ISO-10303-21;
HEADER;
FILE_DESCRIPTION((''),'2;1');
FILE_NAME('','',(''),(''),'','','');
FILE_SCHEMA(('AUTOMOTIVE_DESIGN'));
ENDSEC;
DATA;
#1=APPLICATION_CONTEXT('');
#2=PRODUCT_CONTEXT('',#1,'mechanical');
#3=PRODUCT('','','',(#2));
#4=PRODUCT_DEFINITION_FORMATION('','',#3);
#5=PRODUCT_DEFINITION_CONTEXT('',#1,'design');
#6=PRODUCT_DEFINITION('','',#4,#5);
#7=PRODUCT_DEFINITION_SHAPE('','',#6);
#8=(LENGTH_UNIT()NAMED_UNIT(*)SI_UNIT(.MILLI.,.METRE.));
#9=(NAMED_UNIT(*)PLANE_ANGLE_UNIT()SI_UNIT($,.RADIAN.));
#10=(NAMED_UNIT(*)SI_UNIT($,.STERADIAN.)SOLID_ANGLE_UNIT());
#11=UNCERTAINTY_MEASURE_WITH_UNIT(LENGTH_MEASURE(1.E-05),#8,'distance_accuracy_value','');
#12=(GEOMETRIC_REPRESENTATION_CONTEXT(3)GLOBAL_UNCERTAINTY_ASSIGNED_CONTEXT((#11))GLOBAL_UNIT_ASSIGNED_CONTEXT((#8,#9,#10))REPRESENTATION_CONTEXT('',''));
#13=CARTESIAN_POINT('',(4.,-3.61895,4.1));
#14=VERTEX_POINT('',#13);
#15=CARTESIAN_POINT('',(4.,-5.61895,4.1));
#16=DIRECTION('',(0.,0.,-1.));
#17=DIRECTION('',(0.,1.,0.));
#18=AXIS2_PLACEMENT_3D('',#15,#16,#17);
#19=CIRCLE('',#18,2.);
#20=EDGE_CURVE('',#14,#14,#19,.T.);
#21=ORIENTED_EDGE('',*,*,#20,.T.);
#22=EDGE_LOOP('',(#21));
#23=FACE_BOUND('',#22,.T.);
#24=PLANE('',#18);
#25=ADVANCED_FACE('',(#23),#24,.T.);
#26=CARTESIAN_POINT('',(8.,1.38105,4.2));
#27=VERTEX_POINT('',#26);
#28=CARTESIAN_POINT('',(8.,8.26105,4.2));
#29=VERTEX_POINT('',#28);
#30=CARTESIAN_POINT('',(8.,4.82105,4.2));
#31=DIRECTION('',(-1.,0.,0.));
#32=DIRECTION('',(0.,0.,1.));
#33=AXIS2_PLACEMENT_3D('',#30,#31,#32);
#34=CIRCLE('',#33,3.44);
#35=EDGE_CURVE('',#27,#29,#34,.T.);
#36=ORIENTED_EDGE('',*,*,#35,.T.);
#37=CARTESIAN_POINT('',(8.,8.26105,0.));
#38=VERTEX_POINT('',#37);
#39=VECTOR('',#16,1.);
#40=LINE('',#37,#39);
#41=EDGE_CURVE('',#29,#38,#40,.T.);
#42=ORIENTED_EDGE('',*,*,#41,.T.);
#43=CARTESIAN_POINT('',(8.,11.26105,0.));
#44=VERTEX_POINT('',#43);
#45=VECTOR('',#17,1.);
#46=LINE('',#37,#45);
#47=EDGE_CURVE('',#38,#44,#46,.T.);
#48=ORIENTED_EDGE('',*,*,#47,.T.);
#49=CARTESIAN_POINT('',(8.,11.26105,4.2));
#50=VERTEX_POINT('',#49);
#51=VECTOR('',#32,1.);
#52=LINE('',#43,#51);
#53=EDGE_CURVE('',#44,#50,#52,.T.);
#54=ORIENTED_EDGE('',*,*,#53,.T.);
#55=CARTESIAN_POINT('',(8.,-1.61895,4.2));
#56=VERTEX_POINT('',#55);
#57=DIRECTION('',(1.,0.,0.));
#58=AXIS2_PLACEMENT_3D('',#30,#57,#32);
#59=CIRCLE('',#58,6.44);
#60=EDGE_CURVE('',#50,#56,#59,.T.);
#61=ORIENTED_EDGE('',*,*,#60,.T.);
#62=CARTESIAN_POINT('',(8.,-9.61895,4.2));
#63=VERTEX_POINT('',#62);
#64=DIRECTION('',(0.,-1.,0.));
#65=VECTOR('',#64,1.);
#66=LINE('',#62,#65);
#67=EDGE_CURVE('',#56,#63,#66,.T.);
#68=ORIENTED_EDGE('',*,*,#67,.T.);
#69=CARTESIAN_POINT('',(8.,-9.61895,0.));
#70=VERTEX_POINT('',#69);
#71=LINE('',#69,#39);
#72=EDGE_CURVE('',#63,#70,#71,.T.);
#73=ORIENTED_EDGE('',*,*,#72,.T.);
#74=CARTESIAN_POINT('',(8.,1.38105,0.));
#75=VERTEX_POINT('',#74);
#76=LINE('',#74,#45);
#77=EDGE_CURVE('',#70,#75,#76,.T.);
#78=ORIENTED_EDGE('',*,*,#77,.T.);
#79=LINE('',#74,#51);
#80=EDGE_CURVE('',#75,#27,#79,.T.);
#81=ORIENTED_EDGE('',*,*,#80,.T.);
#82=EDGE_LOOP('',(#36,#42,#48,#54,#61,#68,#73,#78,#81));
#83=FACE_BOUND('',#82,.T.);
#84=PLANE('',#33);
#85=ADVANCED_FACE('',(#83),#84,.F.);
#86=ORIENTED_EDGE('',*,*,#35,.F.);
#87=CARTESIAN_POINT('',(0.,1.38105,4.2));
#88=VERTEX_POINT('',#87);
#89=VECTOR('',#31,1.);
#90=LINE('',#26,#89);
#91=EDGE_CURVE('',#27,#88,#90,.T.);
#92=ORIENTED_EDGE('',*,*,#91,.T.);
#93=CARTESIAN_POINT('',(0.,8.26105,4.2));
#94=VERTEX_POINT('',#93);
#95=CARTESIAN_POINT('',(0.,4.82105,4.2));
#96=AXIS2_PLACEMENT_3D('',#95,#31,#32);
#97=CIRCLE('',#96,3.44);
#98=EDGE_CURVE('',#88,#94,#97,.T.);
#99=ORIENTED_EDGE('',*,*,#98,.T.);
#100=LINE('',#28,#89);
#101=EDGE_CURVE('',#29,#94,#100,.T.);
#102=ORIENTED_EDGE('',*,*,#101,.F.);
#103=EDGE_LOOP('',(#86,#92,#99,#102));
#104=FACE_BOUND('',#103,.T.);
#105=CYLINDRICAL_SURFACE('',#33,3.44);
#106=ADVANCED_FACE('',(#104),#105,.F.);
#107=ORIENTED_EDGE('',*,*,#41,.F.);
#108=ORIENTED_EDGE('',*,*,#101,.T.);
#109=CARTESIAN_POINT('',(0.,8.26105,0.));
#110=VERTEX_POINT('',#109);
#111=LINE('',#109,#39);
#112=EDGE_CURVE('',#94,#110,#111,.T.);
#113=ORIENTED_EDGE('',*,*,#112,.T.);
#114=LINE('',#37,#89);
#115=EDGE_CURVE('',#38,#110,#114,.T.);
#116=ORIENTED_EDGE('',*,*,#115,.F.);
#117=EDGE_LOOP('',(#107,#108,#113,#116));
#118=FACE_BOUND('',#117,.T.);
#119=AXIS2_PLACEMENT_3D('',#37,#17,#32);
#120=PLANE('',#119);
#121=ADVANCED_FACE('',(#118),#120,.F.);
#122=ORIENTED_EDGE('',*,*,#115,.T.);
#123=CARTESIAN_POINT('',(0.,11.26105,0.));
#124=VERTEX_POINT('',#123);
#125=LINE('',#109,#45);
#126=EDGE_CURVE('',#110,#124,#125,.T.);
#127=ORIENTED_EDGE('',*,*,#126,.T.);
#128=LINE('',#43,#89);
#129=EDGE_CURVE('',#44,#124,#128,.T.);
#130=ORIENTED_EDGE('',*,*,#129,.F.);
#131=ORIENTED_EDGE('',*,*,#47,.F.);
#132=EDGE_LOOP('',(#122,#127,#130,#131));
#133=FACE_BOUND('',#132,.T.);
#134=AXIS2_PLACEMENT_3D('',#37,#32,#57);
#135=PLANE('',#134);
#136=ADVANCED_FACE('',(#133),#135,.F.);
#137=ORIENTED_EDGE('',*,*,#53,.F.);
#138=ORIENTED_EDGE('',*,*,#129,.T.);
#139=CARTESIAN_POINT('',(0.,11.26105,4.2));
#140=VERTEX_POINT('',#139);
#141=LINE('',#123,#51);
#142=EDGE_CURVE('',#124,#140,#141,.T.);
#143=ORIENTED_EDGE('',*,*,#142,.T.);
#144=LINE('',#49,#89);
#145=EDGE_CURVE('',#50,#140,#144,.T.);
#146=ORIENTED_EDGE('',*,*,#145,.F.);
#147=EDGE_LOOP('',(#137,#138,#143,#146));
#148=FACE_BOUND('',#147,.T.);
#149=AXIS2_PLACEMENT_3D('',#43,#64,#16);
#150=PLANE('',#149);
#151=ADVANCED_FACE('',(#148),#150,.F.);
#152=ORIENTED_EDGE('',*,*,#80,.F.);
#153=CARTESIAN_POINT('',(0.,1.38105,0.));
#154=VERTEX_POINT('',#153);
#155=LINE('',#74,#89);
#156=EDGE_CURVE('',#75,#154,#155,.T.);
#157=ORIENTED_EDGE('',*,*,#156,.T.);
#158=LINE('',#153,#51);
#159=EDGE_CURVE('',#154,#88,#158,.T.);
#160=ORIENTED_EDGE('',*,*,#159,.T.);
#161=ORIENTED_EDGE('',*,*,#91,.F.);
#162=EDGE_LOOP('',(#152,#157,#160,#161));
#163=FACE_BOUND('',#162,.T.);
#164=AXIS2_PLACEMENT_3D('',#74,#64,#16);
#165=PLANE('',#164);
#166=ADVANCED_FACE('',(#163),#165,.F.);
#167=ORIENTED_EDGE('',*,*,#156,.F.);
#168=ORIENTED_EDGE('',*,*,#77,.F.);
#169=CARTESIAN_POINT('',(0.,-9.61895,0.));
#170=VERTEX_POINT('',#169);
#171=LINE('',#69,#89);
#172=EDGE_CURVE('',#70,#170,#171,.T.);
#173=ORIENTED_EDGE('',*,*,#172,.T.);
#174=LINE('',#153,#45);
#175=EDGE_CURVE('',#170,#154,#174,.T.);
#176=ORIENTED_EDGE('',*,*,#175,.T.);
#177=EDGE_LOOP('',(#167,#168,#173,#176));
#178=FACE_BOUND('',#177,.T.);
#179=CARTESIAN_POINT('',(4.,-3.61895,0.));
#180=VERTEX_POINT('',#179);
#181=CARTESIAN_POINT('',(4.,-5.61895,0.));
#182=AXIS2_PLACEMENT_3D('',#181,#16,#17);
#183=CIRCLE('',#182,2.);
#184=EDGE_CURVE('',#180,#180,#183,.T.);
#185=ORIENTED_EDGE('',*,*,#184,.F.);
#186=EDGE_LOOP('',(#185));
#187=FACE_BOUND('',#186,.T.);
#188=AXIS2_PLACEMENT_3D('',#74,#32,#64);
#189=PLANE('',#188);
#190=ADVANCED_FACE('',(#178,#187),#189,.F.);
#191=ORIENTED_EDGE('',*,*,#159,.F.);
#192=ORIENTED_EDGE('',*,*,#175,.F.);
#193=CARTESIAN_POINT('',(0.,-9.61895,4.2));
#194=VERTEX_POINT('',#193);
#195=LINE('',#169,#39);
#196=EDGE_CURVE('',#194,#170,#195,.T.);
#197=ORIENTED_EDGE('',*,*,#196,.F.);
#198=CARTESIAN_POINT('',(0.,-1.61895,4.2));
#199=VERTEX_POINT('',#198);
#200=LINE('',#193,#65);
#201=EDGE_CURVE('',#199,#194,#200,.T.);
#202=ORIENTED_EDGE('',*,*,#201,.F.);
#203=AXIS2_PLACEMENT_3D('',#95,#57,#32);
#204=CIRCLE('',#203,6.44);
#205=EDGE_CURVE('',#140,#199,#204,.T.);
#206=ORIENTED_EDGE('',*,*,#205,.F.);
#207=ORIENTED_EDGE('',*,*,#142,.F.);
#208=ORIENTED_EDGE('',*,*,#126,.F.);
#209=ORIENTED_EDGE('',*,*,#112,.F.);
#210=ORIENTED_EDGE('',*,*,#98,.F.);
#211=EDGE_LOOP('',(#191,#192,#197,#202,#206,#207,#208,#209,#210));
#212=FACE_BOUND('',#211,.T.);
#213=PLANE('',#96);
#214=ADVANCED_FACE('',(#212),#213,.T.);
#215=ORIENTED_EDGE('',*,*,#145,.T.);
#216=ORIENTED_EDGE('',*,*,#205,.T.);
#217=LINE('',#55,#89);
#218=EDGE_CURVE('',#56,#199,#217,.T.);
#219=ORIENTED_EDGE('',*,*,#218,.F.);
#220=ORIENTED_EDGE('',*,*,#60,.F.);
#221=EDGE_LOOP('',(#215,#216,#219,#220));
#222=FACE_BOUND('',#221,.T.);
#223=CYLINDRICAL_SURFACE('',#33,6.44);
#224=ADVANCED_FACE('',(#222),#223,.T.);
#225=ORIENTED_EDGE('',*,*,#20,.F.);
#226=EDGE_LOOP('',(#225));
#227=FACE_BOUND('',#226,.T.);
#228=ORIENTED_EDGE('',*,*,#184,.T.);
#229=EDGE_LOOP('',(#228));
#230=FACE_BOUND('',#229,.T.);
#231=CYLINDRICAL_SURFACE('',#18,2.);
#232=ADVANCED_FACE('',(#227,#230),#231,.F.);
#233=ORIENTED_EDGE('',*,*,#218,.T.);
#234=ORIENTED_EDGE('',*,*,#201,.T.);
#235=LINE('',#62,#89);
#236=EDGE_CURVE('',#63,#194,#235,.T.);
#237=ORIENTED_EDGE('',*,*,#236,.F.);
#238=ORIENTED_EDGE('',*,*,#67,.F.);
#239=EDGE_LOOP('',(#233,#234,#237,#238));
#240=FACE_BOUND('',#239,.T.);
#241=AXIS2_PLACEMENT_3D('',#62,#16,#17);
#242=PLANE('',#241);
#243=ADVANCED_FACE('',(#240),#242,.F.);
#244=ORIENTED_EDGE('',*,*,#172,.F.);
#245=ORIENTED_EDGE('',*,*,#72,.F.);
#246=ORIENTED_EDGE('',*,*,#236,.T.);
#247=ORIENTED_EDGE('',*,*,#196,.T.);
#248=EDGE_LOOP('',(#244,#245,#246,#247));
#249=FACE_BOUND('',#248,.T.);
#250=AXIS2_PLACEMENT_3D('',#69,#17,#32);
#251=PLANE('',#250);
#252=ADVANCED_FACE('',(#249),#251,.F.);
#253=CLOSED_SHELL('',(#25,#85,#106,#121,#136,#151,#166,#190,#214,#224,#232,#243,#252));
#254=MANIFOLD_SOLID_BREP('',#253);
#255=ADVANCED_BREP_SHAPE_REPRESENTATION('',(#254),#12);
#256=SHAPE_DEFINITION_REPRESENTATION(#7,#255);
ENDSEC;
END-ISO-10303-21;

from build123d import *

# Parameters (mm, degrees)
BOSS_EXTRUDE1_DEPTH              = 8
CLAMPMOUNTHOLESKETCH2_R          = 2
CLAMPMOUNTHOLECUT_EXTRUDE1_DEPTH = 4.1


with BuildPart() as part:
    # Sketch1 → Boss-Extrude1 (new body)
    with BuildSketch(Plane(origin=(0, 0, 0), x_dir=(0, 0, -1), z_dir=(1, 0, 0))):
        with BuildLine():
            Line((0, 1.381049961), (0, -9.618950039))
            Line((0, -9.618950039), (-4.2, -9.618950039))
            Line((-4.2, -9.618950039), (-4.2, -1.618950039))
            ThreePointArc((-4.2, -1.618950039), (-10.64, 4.821049961), (-4.2, 11.261049961))
            Line((-4.2, 11.261049961), (0, 11.261049961))
            Line((0, 11.261049961), (0, 8.261049961))
            Line((0, 8.261049961), (-4.2, 8.261049961))
            ThreePointArc((-4.2, 8.261049961), (-7.64, 4.821049961), (-4.2, 1.381049961))
            Line((-4.2, 1.381049961), (0, 1.381049961))
        make_face()
    extrude(amount=BOSS_EXTRUDE1_DEPTH)

    # ClampMountHoleSketch2 → ClampMountHoleCut-Extrude1 (cut)
    with BuildSketch(Plane(origin=(0, 0, 0), x_dir=(-1, 0, 0), z_dir=(0, 0, -1))):
        with Locations(Location((-4, -5.618950039, 0), (0, 0, 90))):
            Circle(CLAMPMOUNTHOLESKETCH2_R)
    extrude(amount=-CLAMPMOUNTHOLECUT_EXTRUDE1_DEPTH, mode=Mode.SUBTRACT)


solid = part.part
